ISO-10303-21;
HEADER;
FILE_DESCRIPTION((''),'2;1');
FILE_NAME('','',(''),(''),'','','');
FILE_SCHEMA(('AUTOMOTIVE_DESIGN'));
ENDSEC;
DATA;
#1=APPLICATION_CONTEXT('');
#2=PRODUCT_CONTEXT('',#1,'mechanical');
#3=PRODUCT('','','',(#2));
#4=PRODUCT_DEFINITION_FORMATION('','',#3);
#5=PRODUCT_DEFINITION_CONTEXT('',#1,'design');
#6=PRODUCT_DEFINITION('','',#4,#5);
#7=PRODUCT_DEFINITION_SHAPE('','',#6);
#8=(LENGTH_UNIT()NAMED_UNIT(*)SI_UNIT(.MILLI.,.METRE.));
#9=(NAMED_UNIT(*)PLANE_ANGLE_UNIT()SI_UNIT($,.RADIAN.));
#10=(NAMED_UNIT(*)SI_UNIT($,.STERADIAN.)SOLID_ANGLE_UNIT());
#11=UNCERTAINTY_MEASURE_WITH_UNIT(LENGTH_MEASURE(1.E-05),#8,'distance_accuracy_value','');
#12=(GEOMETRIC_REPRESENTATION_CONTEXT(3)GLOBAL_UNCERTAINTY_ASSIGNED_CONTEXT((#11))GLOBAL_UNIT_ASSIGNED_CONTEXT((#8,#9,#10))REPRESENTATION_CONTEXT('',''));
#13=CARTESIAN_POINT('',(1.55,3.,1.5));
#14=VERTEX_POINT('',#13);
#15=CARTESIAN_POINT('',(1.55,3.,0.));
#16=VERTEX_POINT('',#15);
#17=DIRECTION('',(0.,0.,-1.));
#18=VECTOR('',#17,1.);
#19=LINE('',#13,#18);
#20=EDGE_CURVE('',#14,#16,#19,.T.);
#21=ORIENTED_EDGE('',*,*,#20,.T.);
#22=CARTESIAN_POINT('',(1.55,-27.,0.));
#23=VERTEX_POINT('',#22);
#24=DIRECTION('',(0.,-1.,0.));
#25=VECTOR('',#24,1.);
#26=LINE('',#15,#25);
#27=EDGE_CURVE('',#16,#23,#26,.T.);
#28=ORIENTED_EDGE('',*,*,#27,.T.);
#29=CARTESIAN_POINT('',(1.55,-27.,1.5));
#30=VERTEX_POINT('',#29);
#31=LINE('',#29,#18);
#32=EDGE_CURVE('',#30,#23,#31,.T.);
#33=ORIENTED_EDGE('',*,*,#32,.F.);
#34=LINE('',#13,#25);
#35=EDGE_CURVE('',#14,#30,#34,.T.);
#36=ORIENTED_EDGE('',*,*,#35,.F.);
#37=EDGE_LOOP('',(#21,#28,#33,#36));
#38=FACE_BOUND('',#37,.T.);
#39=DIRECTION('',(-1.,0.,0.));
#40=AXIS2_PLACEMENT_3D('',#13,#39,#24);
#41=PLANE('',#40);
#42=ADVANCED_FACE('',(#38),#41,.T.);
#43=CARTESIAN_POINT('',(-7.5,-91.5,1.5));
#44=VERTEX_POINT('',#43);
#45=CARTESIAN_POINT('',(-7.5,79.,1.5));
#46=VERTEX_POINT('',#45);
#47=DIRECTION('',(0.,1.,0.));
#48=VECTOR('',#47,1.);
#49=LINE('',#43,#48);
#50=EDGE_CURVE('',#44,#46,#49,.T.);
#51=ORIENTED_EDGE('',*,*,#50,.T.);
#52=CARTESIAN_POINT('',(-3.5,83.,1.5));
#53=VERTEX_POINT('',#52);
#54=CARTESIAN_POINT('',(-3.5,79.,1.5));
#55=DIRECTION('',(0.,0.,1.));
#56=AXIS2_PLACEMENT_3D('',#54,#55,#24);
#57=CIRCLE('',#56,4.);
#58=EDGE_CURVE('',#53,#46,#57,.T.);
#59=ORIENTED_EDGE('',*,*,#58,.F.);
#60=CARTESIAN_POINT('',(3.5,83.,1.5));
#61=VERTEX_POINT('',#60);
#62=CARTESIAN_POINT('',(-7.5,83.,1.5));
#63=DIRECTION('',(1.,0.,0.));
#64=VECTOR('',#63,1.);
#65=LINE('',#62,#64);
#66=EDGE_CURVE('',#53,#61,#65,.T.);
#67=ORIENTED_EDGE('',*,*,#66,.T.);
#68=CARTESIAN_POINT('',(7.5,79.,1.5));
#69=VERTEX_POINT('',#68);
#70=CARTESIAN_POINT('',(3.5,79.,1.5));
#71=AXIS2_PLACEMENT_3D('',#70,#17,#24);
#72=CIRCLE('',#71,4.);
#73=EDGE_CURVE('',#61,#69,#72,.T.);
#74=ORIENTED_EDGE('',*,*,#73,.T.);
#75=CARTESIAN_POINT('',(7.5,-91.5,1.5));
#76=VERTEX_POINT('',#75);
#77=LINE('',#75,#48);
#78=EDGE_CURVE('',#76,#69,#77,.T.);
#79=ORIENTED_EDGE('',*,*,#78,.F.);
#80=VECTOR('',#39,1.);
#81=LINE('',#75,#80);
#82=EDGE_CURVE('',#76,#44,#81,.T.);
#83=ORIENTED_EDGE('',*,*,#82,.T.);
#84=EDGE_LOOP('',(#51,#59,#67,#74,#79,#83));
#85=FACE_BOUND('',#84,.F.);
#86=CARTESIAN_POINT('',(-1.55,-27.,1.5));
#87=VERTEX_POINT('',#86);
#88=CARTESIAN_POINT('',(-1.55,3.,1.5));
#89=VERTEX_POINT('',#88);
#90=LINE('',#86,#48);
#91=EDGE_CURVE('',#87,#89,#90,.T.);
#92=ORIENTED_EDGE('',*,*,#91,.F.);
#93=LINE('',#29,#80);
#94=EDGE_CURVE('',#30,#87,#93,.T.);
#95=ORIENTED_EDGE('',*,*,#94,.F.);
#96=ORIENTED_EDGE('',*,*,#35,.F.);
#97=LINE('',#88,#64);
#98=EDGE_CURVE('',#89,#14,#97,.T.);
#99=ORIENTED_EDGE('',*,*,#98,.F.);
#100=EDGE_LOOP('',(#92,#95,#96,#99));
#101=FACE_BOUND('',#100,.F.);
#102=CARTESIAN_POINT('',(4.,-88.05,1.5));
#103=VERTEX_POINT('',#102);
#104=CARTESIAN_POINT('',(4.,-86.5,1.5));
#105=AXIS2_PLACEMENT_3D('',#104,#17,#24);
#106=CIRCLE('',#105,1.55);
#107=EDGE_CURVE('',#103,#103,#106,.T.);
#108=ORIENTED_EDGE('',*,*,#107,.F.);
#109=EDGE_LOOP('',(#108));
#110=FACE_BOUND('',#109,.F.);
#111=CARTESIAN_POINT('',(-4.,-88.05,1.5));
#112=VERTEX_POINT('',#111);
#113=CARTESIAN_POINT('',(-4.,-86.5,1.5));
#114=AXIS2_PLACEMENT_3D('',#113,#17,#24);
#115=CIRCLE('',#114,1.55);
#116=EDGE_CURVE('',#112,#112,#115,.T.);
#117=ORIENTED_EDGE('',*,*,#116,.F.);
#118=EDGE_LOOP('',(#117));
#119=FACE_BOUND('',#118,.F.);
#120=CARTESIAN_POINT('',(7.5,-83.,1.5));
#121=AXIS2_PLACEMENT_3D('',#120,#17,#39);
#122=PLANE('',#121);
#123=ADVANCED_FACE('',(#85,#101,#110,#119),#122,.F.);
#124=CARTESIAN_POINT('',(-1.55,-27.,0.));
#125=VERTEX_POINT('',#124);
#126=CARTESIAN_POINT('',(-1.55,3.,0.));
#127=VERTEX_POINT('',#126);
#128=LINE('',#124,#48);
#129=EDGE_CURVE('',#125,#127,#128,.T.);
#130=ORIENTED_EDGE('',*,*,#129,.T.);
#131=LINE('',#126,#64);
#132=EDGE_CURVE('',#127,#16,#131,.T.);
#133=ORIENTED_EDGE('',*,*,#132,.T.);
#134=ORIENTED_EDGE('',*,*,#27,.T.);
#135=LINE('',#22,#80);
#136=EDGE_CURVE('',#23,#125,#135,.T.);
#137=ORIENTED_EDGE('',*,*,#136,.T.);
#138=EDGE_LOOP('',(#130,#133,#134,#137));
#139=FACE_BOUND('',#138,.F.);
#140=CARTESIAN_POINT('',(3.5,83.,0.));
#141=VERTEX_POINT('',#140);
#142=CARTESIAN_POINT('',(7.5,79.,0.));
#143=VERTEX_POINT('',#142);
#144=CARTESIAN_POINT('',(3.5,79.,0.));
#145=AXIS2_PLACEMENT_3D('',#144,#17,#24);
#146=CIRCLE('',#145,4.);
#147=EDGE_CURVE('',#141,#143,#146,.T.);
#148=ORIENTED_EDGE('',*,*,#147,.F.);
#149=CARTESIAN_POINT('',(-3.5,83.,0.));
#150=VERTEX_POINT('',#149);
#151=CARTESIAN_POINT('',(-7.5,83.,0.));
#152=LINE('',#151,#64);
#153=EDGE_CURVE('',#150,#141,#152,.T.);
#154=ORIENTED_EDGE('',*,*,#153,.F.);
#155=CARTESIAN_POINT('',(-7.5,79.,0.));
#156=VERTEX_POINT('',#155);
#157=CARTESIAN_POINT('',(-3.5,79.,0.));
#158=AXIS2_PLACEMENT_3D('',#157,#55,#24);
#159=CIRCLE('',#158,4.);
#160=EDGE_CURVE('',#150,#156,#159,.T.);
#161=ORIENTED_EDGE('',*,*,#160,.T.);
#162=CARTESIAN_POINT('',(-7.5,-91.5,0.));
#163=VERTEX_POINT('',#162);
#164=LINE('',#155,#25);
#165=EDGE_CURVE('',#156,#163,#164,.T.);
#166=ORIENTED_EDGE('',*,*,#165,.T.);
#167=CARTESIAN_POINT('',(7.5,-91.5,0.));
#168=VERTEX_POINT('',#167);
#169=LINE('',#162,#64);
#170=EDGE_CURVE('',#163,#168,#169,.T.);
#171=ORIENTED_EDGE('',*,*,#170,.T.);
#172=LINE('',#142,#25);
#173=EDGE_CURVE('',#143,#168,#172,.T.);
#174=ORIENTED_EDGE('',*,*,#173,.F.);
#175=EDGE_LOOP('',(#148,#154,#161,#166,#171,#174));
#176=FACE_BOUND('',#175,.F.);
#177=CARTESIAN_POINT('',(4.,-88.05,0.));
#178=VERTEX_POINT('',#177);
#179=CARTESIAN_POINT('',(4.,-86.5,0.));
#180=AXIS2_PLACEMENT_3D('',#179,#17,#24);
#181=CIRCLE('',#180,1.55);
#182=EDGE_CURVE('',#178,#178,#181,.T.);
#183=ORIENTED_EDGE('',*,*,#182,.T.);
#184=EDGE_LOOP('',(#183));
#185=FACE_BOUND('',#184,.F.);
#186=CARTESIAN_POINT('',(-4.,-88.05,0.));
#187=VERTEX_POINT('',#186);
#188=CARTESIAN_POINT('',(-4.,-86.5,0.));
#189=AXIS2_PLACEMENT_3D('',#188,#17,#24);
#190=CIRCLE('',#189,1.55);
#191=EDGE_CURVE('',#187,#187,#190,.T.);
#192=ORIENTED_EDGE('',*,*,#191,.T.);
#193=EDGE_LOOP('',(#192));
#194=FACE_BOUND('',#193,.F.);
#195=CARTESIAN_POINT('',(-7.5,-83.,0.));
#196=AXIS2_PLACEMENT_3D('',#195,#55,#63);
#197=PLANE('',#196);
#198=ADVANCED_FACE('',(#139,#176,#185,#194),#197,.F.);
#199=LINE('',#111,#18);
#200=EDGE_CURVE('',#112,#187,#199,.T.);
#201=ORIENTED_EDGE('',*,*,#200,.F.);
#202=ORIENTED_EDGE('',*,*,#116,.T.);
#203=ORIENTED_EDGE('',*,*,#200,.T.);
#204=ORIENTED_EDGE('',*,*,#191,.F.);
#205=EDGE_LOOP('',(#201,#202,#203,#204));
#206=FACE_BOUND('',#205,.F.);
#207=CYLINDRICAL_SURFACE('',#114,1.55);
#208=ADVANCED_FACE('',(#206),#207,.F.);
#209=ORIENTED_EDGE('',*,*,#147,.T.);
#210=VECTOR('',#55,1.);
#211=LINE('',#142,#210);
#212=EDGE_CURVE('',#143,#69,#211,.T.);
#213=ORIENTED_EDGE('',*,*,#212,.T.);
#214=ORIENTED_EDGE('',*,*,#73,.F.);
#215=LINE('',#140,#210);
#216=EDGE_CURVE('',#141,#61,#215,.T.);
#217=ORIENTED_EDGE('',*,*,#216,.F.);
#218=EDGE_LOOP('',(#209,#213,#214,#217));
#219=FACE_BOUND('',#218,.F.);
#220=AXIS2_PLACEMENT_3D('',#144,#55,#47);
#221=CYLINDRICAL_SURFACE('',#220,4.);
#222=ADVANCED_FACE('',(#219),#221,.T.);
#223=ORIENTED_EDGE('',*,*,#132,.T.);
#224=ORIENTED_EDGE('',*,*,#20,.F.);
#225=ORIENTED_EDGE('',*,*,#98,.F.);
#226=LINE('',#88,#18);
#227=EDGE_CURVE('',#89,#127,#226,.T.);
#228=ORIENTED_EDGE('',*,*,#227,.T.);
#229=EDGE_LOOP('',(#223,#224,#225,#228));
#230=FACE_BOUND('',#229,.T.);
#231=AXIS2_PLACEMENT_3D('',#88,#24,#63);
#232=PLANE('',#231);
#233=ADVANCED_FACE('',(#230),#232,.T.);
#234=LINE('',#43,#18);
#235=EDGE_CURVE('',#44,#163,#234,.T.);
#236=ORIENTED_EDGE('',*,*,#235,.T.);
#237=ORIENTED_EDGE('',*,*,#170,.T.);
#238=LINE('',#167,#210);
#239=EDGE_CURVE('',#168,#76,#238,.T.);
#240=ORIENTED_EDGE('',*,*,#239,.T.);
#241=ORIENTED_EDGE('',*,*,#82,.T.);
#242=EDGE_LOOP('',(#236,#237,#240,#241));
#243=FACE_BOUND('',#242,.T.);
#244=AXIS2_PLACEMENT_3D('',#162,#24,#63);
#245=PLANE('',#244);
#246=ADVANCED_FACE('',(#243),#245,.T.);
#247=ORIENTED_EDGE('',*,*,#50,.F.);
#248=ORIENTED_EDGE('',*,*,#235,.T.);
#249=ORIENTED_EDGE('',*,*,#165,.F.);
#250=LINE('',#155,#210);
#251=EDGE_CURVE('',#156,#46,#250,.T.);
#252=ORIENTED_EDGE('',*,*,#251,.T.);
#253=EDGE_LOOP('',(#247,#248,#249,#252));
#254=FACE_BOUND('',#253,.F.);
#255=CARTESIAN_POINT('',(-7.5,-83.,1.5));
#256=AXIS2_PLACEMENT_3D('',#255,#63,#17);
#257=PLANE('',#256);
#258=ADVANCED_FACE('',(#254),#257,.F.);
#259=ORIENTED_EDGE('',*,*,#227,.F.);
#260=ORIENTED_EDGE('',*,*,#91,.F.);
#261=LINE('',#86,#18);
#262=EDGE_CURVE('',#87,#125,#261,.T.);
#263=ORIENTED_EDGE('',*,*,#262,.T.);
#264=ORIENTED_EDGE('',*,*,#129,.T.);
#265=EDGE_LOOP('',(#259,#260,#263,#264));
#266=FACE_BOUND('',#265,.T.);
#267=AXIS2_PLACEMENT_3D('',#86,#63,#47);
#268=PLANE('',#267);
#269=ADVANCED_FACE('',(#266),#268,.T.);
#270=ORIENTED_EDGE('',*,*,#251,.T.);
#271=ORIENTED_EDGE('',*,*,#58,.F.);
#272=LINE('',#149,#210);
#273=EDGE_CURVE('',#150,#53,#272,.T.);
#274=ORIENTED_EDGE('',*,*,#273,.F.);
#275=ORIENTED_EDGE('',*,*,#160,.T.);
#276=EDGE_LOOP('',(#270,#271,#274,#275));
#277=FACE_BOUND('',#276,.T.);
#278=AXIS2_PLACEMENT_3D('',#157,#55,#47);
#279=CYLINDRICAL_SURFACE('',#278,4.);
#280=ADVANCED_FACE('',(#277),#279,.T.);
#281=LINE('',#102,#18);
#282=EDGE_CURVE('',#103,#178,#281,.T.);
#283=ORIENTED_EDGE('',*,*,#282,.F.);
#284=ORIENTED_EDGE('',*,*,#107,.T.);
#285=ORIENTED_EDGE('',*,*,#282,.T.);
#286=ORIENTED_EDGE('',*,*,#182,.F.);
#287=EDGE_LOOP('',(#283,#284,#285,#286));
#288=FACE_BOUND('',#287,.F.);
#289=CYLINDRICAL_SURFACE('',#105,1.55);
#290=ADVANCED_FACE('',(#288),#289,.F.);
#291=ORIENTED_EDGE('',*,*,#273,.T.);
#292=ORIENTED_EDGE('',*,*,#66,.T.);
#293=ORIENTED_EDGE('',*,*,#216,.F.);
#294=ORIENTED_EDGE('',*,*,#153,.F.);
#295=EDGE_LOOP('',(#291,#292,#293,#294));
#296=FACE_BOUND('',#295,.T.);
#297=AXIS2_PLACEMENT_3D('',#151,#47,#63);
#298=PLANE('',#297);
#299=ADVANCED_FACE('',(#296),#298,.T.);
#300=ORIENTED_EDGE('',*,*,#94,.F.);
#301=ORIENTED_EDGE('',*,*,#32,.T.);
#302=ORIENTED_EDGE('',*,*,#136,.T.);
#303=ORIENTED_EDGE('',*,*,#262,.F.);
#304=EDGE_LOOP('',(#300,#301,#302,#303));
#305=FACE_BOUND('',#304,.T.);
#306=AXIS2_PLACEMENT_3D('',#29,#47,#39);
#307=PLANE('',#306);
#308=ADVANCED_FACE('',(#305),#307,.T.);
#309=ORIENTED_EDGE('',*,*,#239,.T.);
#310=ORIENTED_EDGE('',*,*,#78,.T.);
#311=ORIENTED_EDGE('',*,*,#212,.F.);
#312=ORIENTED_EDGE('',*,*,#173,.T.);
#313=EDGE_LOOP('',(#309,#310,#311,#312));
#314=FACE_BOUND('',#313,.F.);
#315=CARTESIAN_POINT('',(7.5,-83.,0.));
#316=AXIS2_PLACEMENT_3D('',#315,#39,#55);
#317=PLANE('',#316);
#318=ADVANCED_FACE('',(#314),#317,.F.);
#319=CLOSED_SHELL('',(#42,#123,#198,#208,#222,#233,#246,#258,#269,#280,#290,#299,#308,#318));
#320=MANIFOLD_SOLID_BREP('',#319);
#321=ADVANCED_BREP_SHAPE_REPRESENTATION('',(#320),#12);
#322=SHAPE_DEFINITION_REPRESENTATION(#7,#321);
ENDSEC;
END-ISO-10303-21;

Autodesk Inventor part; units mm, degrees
ref_plane "YZ Plane" through (0, 0, 0) normal (1, 0, 0) x (0, 1, 0)
ref_plane "XZ Plane" through (0, 0, 0) normal (0, 1, 0) x (-1, 0, 0)
ref_plane "XY Plane" through (0, 0, 0) normal (0, 0, 1) x (1, 0, 0)
sketch "スケッチ1" plane through (0, 0, 0) normal (0, 0, 1) x (1, 0, 0)
  line L0 (-7.5, 83) -> (7.5, 83)
  line L1 (7.5, 83) -> (7.5, -83)
  line L2 (7.5, -83) -> (-7.5, -83)
  line L3 (-7.5, -83) -> (-7.5, 83)
  line L4 (-7.5, 83) -> (7.5, -83) construction
  line L5 (7.5, 83) -> (-7.5, -83) construction
  point P0 (0, 0)
  dimension "d0" = 15
  dimension "d1" = 166
extrude "押し出し1" add sketch "スケッチ1" along normal blind 1.5
sketch "スケッチ2" plane through (0, 0, 1.5) normal (0, 0, 1) x (1, 0, 0)
  line L0 (7.5, 83) -> (-7.5, 83) projected
  line L1 (-1.55, 3) -> (1.55, 3)
  line L2 (1.55, 3) -> (1.55, -27)
  line L3 (1.55, -27) -> (-1.55, -27)
  line L4 (-1.55, -27) -> (-1.55, 3)
  line L5 (-7.5, 83) -> (-7.5, -83) projected
  point P0 (0, 0)
  dimension "d6" = 3.1
  dimension "d7" = 30
  dimension "d8" = 80
  dimension "d9" = 5.95
extrude "押し出し2" cut sketch "スケッチ2" against normal blind 1.5
fillet "フィレット1" radius 4 2 edges at (-7.5, 83, 0.75) (7.5, 83, 0.75)
sketch "スケッチ5" plane through (-7.5, -83, 0) normal (0, -1, 0) x (1, 0, 0)
  line L0 (0, 0) -> (15, 0)
  line L1 (15, 0) -> (15, 1.5)
  line L2 (15, 1.5) -> (0, 1.5)
  line L3 (0, 1.5) -> (0, 0)
  point P0 (7.5, 0)
extrude "押し出し4" add sketch "スケッチ5" along normal blind 8.5
sketch "スケッチ6" plane through (0, 0, 1.5) normal (0, 0, 1) x (1, 0, 0)
  line L0 (7.5, -91.5) -> (-7.5, -91.5) projected
  line L1 (-7.5, 79) -> (-7.5, -91.5) projected
  line L2 (7.5, 79) -> (7.5, -91.5) projected
  point P0 (0, 0)
  point P1 (-4, -86.5)
  point P2 (4, -86.5)
  dimension "d28" = 8
  dimension "d29" = 5
  dimension "d30" = 3.5
  dimension "d31" = 3.5
hole "穴2" at (-4, -86.5, 1.5) at (4, -86.5, 1.5) direction (0, 0, -1) diameter 3.1 end through all
properties part number "Fork 3 ver2c" material "アルミニウム 5052 H32"
